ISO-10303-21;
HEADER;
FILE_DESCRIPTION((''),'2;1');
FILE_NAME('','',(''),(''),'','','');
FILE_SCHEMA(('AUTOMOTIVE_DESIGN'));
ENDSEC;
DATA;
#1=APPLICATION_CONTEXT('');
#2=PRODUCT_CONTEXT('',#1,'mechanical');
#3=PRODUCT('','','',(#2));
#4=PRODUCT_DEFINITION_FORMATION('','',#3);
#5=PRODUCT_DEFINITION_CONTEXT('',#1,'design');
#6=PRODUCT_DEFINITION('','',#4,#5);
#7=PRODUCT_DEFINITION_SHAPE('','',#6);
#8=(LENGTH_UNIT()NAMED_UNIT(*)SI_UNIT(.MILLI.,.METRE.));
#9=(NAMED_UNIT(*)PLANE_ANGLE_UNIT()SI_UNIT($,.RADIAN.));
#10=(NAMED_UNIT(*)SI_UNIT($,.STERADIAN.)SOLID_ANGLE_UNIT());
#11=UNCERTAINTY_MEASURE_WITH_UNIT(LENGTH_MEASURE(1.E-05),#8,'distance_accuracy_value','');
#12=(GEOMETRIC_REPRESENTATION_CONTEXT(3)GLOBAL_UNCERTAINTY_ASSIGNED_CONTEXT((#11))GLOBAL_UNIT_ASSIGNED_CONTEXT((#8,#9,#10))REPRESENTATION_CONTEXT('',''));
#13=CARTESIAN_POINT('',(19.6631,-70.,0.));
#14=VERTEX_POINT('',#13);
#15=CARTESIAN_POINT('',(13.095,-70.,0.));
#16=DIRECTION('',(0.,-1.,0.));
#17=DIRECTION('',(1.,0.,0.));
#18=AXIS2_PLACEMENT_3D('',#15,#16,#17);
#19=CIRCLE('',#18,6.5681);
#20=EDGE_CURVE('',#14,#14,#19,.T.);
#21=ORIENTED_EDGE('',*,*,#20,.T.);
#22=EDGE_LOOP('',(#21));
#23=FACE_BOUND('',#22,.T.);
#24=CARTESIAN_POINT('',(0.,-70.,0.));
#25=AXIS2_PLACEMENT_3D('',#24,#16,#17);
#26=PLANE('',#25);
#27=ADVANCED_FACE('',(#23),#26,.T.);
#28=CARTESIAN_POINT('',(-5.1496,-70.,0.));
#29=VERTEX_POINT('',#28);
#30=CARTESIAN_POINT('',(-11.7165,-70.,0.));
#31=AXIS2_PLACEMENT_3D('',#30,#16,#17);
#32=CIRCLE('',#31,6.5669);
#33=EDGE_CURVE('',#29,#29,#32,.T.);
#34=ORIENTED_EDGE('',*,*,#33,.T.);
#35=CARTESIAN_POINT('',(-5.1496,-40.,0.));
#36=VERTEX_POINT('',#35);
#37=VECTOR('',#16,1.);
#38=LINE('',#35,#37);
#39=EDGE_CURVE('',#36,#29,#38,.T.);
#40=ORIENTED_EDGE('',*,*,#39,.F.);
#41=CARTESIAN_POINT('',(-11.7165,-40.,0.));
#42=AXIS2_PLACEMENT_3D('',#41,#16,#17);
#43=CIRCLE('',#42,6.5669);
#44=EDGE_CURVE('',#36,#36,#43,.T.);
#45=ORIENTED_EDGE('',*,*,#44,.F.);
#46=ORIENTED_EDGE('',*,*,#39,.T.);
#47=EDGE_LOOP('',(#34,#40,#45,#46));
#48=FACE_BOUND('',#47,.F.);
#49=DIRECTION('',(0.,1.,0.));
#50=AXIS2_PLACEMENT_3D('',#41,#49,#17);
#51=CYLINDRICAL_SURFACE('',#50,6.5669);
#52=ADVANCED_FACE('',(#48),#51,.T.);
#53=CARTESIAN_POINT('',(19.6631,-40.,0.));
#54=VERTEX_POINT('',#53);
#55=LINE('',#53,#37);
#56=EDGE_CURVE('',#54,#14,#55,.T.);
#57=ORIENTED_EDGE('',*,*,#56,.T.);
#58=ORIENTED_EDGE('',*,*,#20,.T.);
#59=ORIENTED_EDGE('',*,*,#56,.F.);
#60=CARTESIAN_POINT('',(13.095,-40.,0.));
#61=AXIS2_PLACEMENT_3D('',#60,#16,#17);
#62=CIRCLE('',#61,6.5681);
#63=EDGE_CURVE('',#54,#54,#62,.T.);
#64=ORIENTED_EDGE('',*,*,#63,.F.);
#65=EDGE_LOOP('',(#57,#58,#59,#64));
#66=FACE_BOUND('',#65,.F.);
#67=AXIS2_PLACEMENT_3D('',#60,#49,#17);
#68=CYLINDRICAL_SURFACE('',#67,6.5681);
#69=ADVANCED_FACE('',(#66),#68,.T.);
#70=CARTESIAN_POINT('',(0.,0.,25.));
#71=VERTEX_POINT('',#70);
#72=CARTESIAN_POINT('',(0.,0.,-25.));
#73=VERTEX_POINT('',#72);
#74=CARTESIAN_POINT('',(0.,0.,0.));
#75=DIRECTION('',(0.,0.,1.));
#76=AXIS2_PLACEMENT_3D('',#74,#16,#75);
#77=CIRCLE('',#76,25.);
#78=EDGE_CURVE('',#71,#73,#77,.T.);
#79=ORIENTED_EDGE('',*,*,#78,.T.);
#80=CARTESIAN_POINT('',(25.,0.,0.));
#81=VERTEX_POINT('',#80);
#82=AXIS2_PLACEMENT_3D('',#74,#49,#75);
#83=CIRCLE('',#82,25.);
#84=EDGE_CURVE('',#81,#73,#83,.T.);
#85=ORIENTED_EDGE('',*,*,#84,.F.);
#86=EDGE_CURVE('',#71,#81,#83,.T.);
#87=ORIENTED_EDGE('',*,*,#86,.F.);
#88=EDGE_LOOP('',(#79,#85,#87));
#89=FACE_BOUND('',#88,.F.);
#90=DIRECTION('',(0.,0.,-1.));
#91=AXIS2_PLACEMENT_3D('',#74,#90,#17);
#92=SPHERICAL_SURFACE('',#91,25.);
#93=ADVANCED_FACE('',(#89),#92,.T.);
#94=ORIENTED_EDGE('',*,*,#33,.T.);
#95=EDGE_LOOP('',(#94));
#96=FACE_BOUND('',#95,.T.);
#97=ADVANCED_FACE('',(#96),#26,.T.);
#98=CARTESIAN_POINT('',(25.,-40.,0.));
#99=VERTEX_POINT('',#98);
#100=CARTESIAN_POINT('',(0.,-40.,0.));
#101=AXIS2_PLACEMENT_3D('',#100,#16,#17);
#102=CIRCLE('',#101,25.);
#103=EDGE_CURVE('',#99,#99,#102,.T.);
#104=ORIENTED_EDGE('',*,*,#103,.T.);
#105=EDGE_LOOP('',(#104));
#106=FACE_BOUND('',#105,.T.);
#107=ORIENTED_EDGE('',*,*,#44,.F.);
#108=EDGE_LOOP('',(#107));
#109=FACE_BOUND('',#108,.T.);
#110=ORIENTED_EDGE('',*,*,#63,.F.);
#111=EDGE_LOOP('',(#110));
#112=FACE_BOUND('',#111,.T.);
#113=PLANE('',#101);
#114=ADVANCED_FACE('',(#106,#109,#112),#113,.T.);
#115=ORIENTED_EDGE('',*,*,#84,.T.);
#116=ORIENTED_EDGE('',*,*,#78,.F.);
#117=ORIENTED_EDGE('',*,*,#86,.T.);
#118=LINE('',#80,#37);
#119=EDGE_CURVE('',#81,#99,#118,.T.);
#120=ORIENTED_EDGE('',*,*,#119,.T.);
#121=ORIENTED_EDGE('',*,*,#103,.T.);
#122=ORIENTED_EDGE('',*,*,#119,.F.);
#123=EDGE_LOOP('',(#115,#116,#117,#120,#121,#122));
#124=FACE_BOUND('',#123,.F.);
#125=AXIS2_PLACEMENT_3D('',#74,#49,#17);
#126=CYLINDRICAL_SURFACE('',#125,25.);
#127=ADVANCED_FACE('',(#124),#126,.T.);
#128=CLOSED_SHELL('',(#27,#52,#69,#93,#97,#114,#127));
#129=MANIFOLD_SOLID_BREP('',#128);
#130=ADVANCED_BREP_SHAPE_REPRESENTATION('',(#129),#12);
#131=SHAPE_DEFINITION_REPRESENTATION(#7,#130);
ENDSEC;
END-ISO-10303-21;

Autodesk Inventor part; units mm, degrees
ref_plane "YZ Plane" through (0, 0, 0) normal (1, 0, 0) x (0, 1, 0)
ref_plane "XZ Plane" through (0, 0, 0) normal (0, 1, 0) x (-1, 0, 0)
ref_plane "XY Plane" through (0, 0, 0) normal (0, 0, 1) x (1, 0, 0)
sketch "Sketch1" plane through (0, 0, 0) normal (0, 1, 0) x (-1, 0, 0)
  arc A0 (0, 25) -> (0, -25) centre (0, 0) ccw
  line L0 (0, 25) -> (0, -25)
  dimension "d0" = 50
revolve "Revolution1" add sketch "Sketch1" angle 180 about axis through (0, 0, 25) along (0, 0, 1)
sketch "Sketch2" plane through (0, 0, 0) normal (0, -1, 0) x (1, 0, 0)
  circle A0 centre (0, 0) radius 25
extrude "Extrusion1" add sketch "Sketch2" along normal blind 40
sketch "Sketch3" plane through (0, -40, 0) normal (0, -1, 0) x (1, 0, 0)
  circle A0 centre (-11.7165, 0) radius 6.5669
  circle A1 centre (13.095, 0) radius 6.5681
  point P0 (0, 0)
extrude "Extrusion2" add sketch "Sketch3" along normal blind 30
properties part number "red led now"
